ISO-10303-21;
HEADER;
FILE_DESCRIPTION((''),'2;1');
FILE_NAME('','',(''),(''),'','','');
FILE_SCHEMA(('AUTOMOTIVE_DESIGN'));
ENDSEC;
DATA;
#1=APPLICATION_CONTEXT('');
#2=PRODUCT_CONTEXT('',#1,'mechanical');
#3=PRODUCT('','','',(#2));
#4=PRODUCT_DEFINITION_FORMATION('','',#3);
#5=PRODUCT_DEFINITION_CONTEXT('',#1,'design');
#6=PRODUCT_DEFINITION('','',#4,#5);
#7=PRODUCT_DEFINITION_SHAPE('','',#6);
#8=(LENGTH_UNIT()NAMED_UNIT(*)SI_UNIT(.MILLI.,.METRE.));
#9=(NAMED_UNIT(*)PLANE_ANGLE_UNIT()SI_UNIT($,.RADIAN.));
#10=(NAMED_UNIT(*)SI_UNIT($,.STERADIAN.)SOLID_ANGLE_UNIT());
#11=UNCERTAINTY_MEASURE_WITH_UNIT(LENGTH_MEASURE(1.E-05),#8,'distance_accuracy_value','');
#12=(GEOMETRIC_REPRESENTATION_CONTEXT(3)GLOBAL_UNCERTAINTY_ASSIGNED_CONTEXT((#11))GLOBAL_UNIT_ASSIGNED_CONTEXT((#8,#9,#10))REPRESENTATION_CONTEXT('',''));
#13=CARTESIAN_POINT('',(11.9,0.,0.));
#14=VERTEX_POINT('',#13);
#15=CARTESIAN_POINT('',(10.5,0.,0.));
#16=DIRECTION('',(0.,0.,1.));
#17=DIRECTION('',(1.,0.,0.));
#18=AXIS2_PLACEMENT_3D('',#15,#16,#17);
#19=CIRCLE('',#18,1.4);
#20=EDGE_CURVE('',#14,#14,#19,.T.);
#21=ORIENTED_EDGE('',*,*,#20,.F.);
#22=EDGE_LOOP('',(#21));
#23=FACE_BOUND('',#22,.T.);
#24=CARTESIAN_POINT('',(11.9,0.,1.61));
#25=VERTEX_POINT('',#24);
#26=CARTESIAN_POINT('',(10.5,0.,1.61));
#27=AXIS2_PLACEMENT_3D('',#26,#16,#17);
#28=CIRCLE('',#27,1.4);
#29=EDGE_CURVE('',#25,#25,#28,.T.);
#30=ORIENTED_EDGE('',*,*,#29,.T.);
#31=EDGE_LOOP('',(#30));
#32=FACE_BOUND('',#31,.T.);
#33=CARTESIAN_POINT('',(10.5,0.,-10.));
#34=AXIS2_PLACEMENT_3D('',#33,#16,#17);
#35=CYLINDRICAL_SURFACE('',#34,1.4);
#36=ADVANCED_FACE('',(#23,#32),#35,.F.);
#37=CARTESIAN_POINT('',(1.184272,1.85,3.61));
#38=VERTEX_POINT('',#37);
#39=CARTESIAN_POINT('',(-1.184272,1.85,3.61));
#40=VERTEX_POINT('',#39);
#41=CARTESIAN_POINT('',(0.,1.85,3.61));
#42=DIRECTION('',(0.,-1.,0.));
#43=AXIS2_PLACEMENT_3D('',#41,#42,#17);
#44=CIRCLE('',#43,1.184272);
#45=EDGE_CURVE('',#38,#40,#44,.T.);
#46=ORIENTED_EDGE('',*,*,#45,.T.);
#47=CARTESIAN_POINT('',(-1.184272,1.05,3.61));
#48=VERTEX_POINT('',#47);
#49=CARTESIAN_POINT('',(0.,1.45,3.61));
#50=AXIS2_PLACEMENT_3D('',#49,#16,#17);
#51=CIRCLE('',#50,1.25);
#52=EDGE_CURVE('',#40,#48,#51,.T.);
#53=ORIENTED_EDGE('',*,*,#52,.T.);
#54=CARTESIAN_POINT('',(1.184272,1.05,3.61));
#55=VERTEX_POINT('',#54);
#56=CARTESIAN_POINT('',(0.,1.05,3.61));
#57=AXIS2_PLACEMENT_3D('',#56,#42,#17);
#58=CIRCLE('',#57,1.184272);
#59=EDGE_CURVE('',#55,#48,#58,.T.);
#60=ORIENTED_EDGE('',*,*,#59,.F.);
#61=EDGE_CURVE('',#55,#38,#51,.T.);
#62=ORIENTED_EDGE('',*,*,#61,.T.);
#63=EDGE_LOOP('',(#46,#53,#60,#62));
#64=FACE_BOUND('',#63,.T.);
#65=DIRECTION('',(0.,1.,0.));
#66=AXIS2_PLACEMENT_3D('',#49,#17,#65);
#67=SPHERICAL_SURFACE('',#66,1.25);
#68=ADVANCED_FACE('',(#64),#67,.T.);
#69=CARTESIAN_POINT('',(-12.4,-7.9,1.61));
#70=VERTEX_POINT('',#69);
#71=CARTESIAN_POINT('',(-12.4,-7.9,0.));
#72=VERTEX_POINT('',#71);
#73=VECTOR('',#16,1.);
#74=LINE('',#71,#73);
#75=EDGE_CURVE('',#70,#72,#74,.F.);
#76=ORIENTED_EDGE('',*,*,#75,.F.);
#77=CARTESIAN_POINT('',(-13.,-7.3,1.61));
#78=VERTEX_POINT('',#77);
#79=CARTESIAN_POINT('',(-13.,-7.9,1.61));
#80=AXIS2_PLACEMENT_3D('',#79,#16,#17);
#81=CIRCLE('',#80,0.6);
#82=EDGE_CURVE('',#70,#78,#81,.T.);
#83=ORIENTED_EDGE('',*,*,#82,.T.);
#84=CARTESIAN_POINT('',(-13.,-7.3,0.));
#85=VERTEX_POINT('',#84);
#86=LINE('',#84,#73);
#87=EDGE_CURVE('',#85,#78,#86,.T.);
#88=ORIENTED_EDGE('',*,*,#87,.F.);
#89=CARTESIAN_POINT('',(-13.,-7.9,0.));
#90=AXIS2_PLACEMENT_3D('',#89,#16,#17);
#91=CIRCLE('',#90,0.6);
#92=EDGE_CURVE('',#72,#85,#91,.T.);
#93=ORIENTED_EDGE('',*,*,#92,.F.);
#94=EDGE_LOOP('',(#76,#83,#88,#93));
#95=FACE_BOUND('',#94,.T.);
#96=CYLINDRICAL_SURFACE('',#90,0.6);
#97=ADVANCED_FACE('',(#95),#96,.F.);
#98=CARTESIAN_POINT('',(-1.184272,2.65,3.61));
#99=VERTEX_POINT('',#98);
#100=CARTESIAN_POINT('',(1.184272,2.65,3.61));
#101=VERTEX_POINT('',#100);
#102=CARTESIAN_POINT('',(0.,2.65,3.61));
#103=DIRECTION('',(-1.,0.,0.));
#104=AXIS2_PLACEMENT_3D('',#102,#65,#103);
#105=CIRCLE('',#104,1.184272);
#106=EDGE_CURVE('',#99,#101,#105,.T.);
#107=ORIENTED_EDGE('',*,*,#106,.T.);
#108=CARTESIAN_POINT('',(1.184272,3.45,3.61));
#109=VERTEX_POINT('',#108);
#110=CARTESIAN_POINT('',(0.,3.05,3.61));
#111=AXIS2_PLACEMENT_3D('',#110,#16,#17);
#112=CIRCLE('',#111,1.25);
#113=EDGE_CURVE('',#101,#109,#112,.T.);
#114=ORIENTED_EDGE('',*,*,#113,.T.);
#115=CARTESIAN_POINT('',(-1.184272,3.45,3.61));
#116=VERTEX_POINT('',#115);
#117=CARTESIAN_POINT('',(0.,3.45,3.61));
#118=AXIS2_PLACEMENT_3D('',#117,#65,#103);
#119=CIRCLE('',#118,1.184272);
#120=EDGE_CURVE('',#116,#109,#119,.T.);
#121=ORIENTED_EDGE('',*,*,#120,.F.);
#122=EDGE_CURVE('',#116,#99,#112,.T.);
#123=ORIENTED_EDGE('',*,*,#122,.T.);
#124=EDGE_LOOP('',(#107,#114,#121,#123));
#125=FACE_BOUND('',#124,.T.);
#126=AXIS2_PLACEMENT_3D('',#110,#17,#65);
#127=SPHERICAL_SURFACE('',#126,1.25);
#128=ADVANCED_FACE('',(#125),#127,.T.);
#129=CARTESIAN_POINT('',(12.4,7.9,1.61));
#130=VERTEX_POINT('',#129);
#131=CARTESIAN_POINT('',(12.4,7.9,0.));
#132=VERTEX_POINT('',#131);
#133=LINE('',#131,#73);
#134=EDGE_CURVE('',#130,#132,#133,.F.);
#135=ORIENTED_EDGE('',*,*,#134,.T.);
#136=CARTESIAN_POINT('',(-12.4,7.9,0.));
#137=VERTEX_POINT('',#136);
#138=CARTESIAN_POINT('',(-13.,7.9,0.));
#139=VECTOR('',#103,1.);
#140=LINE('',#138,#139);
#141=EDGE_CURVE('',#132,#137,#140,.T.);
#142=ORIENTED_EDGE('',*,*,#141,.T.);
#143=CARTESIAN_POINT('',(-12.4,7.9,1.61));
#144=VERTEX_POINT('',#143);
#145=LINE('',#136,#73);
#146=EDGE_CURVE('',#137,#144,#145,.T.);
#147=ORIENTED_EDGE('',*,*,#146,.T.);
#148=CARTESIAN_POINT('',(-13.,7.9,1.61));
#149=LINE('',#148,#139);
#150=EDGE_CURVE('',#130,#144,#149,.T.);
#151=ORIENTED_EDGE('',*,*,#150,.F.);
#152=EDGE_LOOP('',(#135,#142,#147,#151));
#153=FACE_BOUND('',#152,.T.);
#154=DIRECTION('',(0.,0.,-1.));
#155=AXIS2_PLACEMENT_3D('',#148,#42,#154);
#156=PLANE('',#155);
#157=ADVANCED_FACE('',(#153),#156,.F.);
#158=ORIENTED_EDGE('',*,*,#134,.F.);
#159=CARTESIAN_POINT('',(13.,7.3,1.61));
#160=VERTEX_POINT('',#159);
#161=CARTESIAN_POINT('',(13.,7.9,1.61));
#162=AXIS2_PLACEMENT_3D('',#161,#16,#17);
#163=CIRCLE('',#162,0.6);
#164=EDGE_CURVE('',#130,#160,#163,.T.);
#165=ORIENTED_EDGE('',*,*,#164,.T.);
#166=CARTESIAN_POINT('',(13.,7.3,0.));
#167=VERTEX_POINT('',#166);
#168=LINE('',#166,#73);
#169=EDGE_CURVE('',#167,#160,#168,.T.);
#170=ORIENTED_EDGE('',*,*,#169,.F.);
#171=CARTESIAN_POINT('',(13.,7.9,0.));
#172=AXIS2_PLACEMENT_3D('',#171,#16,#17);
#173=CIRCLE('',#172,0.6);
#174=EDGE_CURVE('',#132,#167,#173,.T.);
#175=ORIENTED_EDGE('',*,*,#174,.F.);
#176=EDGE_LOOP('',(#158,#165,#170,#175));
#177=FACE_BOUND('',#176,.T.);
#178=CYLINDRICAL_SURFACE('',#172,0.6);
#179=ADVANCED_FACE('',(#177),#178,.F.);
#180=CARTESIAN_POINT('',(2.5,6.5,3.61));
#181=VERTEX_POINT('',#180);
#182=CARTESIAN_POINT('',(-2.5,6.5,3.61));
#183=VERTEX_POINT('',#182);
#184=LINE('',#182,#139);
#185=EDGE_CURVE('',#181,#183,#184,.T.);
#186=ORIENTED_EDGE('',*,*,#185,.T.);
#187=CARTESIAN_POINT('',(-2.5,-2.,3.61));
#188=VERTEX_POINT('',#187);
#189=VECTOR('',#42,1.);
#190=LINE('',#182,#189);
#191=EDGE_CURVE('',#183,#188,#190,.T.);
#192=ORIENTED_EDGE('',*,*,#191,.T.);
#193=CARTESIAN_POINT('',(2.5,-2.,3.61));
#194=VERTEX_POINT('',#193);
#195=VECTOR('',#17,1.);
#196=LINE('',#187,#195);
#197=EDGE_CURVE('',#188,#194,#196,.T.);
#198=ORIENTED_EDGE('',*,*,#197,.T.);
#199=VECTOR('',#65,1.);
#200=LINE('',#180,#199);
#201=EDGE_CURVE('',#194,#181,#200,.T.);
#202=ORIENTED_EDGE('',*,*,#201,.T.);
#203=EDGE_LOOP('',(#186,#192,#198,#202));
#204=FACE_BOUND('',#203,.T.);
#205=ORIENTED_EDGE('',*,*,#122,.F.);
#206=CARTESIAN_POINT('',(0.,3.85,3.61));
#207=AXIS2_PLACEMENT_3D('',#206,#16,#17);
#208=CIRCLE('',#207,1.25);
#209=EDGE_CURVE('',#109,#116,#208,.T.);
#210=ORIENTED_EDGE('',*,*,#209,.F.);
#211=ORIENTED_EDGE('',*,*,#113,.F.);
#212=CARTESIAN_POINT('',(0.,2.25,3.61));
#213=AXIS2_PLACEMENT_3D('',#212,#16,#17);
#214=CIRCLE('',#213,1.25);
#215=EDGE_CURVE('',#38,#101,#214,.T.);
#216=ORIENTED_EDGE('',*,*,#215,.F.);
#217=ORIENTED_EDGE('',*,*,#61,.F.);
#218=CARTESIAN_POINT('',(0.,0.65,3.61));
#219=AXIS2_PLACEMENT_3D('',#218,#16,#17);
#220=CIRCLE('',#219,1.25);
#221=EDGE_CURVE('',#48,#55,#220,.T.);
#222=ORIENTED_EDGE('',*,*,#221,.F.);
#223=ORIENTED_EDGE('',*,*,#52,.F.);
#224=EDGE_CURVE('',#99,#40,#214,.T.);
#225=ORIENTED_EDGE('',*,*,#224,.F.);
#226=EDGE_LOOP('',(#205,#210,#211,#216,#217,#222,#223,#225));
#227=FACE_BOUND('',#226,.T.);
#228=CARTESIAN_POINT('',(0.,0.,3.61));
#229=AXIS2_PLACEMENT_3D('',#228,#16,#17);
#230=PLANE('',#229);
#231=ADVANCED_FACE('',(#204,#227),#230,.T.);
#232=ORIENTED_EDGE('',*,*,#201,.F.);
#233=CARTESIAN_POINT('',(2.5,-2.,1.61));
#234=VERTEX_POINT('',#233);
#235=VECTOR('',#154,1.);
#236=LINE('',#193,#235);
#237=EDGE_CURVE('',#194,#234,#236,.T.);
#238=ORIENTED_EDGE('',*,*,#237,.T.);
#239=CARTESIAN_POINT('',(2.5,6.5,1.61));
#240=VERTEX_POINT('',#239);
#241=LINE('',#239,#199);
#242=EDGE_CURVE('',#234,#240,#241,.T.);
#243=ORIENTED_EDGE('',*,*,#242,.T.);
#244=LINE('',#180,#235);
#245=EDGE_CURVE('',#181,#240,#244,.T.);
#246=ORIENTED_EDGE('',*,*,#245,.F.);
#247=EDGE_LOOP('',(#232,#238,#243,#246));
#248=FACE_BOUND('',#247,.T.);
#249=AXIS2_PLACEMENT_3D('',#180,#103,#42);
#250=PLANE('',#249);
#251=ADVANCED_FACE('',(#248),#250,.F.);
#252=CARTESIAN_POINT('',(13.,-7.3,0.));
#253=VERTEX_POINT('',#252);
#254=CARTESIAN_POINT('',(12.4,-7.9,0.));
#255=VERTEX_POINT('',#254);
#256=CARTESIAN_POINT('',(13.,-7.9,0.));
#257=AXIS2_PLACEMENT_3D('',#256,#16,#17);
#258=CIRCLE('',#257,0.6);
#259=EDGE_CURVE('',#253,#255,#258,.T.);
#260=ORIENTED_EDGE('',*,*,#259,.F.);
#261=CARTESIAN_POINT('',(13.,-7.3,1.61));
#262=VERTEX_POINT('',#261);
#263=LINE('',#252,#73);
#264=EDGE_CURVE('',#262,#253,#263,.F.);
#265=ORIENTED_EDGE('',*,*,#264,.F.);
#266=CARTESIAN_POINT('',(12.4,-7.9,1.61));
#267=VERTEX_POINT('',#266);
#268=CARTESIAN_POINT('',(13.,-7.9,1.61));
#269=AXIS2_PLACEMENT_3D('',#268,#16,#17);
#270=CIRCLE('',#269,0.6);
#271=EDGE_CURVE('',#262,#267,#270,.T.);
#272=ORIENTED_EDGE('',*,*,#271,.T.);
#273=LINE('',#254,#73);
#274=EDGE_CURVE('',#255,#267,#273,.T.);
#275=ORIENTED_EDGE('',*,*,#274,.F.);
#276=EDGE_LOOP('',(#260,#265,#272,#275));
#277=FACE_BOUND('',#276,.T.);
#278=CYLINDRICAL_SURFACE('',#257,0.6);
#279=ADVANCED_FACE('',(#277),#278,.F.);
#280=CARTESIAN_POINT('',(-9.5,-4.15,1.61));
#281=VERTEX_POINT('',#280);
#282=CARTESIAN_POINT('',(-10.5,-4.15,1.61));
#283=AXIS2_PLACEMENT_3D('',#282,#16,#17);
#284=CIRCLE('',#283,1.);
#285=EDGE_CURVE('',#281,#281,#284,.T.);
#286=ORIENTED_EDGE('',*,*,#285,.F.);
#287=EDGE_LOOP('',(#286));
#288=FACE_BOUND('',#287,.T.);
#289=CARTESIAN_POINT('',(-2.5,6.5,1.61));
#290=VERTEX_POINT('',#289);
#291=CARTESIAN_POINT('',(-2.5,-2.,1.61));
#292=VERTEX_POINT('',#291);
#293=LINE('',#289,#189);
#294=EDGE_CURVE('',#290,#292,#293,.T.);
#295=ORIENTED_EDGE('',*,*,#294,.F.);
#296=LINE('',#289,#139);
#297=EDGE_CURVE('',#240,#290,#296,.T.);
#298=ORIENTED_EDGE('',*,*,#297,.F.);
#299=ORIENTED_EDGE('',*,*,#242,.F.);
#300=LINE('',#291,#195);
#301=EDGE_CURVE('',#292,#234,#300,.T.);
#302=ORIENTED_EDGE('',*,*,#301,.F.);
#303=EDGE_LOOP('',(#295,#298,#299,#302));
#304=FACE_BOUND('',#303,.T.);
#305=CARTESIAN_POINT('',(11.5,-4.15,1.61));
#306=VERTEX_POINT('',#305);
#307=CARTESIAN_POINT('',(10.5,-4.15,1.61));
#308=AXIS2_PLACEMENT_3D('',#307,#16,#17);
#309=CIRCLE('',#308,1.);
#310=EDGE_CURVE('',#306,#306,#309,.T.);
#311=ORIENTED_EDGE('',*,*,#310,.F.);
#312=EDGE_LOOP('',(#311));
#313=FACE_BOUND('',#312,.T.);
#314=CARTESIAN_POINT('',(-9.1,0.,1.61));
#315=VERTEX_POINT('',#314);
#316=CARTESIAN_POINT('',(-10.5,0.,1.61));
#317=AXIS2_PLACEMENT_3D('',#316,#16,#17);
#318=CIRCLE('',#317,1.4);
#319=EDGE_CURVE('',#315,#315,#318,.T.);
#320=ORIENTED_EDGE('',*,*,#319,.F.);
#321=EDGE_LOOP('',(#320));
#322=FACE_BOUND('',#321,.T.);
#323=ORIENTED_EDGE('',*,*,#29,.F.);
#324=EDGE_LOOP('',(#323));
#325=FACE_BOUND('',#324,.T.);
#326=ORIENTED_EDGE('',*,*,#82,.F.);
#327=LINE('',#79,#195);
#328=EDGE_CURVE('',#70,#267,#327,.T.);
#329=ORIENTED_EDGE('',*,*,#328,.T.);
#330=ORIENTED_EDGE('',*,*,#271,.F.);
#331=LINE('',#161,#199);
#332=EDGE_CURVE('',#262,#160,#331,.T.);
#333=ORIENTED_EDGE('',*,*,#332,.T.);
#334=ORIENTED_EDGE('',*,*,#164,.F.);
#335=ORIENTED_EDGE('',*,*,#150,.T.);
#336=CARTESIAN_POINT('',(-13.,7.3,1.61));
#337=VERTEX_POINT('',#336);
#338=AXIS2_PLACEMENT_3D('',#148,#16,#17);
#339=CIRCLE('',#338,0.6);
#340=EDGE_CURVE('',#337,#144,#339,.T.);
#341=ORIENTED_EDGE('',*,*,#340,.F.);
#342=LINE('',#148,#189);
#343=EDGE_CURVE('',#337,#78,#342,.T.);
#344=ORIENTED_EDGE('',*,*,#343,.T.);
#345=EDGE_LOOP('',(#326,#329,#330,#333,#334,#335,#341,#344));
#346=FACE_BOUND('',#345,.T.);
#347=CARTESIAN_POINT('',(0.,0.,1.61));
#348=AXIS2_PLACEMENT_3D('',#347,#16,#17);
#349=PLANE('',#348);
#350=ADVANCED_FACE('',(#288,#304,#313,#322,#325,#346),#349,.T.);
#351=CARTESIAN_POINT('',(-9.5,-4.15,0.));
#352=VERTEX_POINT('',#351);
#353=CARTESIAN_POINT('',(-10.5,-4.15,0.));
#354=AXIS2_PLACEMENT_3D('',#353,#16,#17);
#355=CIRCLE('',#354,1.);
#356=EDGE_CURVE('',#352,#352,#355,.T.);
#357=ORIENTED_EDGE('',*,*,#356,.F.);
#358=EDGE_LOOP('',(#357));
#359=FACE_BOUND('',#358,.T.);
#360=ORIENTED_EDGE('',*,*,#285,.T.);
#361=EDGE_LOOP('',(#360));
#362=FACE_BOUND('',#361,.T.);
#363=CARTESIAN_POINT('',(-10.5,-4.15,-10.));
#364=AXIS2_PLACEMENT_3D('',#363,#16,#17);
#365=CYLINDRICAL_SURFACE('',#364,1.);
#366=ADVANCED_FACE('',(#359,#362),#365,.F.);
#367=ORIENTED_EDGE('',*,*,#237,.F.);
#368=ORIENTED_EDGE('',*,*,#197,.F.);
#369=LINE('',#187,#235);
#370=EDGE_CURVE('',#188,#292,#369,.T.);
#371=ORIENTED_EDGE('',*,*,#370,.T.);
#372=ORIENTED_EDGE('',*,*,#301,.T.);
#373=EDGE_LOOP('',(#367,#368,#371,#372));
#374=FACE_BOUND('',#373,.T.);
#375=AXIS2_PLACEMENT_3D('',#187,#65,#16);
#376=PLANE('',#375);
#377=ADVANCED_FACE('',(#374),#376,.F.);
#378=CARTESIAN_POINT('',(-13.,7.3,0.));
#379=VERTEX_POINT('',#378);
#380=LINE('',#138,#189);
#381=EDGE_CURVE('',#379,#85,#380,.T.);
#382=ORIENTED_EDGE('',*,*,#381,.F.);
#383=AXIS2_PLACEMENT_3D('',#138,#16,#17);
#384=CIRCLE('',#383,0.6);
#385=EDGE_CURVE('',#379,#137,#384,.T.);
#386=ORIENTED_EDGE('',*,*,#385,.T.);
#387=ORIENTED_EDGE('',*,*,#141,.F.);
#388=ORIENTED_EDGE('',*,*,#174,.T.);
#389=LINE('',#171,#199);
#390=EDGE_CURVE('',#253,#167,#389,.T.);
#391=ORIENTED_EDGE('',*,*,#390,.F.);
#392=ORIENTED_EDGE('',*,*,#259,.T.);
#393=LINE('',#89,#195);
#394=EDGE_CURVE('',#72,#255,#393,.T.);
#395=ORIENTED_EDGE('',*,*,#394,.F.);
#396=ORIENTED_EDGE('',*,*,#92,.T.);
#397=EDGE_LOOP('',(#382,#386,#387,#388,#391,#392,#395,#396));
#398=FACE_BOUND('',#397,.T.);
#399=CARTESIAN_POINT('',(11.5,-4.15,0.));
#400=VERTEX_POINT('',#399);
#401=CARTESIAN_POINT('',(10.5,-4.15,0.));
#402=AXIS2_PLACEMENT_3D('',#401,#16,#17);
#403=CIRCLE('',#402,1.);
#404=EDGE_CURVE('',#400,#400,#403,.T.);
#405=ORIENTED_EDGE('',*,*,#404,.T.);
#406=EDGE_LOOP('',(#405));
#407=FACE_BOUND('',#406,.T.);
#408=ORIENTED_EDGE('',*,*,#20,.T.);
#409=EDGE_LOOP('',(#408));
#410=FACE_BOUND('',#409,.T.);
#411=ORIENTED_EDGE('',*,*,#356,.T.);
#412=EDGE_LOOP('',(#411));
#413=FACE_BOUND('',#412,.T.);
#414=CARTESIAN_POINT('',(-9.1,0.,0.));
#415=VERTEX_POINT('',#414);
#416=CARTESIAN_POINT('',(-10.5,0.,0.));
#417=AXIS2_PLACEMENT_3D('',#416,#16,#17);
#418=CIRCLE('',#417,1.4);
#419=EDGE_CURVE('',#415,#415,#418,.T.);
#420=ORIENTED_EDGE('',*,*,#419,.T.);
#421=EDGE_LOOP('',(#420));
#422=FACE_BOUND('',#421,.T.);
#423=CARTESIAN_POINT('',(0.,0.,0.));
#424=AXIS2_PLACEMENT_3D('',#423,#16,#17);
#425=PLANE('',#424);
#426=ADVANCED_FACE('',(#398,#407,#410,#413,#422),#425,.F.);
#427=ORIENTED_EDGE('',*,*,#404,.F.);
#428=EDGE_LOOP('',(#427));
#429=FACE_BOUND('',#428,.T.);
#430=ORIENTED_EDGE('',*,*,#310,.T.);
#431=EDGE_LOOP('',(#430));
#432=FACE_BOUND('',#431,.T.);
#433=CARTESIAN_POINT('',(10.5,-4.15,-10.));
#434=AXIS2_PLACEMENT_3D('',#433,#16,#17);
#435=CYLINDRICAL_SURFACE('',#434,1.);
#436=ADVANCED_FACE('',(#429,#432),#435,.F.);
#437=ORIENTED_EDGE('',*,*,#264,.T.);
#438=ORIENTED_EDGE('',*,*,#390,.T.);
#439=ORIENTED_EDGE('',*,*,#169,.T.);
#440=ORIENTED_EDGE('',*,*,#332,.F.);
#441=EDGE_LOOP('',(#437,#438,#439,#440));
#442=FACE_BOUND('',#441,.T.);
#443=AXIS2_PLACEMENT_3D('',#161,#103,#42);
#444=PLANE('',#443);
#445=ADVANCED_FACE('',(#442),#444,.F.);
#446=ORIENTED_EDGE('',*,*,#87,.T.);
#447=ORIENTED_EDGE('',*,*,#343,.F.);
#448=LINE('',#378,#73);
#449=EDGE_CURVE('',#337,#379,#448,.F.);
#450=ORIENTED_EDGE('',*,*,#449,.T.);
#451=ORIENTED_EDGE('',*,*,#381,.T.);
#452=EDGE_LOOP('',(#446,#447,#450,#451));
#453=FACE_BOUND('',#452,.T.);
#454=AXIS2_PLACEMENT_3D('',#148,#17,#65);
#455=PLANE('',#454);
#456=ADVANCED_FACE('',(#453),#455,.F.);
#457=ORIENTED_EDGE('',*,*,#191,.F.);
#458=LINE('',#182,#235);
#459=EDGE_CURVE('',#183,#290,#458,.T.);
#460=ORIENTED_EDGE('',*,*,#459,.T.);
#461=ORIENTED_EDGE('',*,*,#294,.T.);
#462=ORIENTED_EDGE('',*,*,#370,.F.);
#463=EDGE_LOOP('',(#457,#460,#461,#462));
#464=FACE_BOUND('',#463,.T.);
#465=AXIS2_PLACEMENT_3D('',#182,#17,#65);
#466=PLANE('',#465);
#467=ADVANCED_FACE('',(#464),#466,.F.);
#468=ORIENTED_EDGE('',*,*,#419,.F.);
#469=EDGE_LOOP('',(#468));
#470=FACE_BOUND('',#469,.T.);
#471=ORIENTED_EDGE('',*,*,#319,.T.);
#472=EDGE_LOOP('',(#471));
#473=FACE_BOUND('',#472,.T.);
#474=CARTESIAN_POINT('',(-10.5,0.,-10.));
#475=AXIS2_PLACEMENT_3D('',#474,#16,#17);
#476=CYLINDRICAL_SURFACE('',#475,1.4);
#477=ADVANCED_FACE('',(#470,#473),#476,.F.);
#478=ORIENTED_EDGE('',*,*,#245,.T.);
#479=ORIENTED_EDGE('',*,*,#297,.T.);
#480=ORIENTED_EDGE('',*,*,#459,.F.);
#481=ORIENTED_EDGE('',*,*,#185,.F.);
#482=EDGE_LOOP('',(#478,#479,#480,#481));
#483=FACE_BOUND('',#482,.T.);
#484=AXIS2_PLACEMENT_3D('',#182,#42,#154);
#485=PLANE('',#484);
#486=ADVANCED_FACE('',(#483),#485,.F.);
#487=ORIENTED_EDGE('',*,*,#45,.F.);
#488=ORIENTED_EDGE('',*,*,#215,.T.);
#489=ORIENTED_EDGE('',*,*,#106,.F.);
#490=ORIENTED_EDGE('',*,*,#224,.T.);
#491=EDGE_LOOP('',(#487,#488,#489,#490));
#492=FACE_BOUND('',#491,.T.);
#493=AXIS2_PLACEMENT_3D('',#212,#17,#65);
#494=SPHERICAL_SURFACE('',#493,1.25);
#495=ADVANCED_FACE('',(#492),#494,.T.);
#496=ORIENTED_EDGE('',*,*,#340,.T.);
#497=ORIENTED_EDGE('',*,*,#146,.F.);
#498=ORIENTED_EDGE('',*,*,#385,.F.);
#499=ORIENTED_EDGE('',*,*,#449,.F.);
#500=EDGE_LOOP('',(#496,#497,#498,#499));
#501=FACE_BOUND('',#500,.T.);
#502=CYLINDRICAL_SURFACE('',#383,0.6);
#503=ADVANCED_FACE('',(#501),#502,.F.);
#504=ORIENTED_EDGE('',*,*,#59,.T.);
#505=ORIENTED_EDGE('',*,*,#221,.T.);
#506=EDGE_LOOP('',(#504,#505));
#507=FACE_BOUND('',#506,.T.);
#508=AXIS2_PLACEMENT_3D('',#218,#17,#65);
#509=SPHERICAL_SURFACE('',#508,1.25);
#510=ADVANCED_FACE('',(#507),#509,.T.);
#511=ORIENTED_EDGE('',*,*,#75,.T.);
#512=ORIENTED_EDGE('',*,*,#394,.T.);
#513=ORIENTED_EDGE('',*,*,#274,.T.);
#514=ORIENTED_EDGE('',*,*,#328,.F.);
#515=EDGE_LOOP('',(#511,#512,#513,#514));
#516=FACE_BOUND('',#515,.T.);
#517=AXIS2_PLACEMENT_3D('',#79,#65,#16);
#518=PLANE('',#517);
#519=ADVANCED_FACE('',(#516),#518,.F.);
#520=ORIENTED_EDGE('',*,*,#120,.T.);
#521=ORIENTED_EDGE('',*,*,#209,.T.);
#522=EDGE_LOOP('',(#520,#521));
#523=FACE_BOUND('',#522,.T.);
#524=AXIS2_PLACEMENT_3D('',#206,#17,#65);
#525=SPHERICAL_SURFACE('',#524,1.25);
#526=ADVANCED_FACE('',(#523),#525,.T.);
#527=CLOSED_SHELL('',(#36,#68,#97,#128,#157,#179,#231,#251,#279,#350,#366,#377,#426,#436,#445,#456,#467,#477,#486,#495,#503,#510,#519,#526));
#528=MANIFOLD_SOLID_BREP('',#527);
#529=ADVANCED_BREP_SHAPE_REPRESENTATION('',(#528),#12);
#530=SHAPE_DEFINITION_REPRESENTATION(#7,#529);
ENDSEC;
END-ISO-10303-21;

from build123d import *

# Parameters (mm, degrees)
SKETCH1_W           = 26
SKETCH1_H           = 15.8
BOSS_EXTRUDE1_DEPTH = 1.61
SKETCH2_R           = 0.6
CUT_EXTRUDE1_DEPTH  = 1.61
SKETCH3_R           = 1.4
SKETCH3_R_2         = 1
CUT_EXTRUDE2_DEPTH  = 11.61
SKETCH4_W           = 5
SKETCH4_H           = 8.5
BOSS_EXTRUDE2_DEPTH = 2
LPATTERN1_COUNT     = 3
LPATTERN1_PITCH     = 0.8
LPATTERN1_COL_COUNT = 3
LPATTERN1_COL_PITCH = 0.8


with BuildPart() as part:
    # Sketch1 → Boss-Extrude1 (new body)
    with BuildSketch(Plane.XY):
        Rectangle(SKETCH1_W, SKETCH1_H)
    extrude(amount=BOSS_EXTRUDE1_DEPTH)

    # Sketch2 → Cut-Extrude1 (cut)
    with BuildSketch(Plane.XY.offset(1.61)):
        with Locations((-13, 7.9)):
            Circle(SKETCH2_R)
        with Locations((-13, -7.9)):
            Circle(SKETCH2_R)
        with Locations((13, -7.9)):
            Circle(SKETCH2_R)
        with Locations((13, 7.9)):
            Circle(SKETCH2_R)
    extrude(amount=-CUT_EXTRUDE1_DEPTH, mode=Mode.SUBTRACT)

    # Sketch3 → Cut-Extrude2 (cut)
    with BuildSketch(Plane.XY.offset(1.61)):
        with Locations((-10.5, 0)):
            Circle(SKETCH3_R)
        with Locations((10.5, 0)):
            Circle(SKETCH3_R)
        with Locations((-10.5, -4.15)):
            Circle(SKETCH3_R_2)
        with Locations((10.5, -4.15)):
            Circle(SKETCH3_R_2)
    extrude(amount=-CUT_EXTRUDE2_DEPTH, mode=Mode.SUBTRACT)

    # Sketch4 → Boss-Extrude2 (add)
    with BuildSketch(Plane.XY.offset(1.61)):
        with Locations((0, 2.25)):
            Rectangle(SKETCH4_W, SKETCH4_H)
    extrude(amount=BOSS_EXTRUDE2_DEPTH)

    # Sketch5 → Revolve1 (revolve)
    with BuildSketch(Plane.XY.offset(3.61)):
        with BuildLine():
            Line((1.25, 2.25), (-1.25, 2.25))
            ThreePointArc((-1.25, 2.25), (0, 3.5), (1.25, 2.25))
        make_face()
    revolve1 = revolve(axis=Axis((1.25, 2.25, 3.61), (-1, 0, 0)))

    # LPattern1: Revolve1 ×3
    with Locations(*[(0, -i * LPATTERN1_PITCH, 0) for i in range(1, LPATTERN1_COUNT)]):
        add(revolve1)

    # LPattern1 col: Revolve1 ×3
    with Locations(*[(0, i * LPATTERN1_COL_PITCH, 0) for i in range(1, LPATTERN1_COL_COUNT)]):
        add(revolve1)


solid = part.part
